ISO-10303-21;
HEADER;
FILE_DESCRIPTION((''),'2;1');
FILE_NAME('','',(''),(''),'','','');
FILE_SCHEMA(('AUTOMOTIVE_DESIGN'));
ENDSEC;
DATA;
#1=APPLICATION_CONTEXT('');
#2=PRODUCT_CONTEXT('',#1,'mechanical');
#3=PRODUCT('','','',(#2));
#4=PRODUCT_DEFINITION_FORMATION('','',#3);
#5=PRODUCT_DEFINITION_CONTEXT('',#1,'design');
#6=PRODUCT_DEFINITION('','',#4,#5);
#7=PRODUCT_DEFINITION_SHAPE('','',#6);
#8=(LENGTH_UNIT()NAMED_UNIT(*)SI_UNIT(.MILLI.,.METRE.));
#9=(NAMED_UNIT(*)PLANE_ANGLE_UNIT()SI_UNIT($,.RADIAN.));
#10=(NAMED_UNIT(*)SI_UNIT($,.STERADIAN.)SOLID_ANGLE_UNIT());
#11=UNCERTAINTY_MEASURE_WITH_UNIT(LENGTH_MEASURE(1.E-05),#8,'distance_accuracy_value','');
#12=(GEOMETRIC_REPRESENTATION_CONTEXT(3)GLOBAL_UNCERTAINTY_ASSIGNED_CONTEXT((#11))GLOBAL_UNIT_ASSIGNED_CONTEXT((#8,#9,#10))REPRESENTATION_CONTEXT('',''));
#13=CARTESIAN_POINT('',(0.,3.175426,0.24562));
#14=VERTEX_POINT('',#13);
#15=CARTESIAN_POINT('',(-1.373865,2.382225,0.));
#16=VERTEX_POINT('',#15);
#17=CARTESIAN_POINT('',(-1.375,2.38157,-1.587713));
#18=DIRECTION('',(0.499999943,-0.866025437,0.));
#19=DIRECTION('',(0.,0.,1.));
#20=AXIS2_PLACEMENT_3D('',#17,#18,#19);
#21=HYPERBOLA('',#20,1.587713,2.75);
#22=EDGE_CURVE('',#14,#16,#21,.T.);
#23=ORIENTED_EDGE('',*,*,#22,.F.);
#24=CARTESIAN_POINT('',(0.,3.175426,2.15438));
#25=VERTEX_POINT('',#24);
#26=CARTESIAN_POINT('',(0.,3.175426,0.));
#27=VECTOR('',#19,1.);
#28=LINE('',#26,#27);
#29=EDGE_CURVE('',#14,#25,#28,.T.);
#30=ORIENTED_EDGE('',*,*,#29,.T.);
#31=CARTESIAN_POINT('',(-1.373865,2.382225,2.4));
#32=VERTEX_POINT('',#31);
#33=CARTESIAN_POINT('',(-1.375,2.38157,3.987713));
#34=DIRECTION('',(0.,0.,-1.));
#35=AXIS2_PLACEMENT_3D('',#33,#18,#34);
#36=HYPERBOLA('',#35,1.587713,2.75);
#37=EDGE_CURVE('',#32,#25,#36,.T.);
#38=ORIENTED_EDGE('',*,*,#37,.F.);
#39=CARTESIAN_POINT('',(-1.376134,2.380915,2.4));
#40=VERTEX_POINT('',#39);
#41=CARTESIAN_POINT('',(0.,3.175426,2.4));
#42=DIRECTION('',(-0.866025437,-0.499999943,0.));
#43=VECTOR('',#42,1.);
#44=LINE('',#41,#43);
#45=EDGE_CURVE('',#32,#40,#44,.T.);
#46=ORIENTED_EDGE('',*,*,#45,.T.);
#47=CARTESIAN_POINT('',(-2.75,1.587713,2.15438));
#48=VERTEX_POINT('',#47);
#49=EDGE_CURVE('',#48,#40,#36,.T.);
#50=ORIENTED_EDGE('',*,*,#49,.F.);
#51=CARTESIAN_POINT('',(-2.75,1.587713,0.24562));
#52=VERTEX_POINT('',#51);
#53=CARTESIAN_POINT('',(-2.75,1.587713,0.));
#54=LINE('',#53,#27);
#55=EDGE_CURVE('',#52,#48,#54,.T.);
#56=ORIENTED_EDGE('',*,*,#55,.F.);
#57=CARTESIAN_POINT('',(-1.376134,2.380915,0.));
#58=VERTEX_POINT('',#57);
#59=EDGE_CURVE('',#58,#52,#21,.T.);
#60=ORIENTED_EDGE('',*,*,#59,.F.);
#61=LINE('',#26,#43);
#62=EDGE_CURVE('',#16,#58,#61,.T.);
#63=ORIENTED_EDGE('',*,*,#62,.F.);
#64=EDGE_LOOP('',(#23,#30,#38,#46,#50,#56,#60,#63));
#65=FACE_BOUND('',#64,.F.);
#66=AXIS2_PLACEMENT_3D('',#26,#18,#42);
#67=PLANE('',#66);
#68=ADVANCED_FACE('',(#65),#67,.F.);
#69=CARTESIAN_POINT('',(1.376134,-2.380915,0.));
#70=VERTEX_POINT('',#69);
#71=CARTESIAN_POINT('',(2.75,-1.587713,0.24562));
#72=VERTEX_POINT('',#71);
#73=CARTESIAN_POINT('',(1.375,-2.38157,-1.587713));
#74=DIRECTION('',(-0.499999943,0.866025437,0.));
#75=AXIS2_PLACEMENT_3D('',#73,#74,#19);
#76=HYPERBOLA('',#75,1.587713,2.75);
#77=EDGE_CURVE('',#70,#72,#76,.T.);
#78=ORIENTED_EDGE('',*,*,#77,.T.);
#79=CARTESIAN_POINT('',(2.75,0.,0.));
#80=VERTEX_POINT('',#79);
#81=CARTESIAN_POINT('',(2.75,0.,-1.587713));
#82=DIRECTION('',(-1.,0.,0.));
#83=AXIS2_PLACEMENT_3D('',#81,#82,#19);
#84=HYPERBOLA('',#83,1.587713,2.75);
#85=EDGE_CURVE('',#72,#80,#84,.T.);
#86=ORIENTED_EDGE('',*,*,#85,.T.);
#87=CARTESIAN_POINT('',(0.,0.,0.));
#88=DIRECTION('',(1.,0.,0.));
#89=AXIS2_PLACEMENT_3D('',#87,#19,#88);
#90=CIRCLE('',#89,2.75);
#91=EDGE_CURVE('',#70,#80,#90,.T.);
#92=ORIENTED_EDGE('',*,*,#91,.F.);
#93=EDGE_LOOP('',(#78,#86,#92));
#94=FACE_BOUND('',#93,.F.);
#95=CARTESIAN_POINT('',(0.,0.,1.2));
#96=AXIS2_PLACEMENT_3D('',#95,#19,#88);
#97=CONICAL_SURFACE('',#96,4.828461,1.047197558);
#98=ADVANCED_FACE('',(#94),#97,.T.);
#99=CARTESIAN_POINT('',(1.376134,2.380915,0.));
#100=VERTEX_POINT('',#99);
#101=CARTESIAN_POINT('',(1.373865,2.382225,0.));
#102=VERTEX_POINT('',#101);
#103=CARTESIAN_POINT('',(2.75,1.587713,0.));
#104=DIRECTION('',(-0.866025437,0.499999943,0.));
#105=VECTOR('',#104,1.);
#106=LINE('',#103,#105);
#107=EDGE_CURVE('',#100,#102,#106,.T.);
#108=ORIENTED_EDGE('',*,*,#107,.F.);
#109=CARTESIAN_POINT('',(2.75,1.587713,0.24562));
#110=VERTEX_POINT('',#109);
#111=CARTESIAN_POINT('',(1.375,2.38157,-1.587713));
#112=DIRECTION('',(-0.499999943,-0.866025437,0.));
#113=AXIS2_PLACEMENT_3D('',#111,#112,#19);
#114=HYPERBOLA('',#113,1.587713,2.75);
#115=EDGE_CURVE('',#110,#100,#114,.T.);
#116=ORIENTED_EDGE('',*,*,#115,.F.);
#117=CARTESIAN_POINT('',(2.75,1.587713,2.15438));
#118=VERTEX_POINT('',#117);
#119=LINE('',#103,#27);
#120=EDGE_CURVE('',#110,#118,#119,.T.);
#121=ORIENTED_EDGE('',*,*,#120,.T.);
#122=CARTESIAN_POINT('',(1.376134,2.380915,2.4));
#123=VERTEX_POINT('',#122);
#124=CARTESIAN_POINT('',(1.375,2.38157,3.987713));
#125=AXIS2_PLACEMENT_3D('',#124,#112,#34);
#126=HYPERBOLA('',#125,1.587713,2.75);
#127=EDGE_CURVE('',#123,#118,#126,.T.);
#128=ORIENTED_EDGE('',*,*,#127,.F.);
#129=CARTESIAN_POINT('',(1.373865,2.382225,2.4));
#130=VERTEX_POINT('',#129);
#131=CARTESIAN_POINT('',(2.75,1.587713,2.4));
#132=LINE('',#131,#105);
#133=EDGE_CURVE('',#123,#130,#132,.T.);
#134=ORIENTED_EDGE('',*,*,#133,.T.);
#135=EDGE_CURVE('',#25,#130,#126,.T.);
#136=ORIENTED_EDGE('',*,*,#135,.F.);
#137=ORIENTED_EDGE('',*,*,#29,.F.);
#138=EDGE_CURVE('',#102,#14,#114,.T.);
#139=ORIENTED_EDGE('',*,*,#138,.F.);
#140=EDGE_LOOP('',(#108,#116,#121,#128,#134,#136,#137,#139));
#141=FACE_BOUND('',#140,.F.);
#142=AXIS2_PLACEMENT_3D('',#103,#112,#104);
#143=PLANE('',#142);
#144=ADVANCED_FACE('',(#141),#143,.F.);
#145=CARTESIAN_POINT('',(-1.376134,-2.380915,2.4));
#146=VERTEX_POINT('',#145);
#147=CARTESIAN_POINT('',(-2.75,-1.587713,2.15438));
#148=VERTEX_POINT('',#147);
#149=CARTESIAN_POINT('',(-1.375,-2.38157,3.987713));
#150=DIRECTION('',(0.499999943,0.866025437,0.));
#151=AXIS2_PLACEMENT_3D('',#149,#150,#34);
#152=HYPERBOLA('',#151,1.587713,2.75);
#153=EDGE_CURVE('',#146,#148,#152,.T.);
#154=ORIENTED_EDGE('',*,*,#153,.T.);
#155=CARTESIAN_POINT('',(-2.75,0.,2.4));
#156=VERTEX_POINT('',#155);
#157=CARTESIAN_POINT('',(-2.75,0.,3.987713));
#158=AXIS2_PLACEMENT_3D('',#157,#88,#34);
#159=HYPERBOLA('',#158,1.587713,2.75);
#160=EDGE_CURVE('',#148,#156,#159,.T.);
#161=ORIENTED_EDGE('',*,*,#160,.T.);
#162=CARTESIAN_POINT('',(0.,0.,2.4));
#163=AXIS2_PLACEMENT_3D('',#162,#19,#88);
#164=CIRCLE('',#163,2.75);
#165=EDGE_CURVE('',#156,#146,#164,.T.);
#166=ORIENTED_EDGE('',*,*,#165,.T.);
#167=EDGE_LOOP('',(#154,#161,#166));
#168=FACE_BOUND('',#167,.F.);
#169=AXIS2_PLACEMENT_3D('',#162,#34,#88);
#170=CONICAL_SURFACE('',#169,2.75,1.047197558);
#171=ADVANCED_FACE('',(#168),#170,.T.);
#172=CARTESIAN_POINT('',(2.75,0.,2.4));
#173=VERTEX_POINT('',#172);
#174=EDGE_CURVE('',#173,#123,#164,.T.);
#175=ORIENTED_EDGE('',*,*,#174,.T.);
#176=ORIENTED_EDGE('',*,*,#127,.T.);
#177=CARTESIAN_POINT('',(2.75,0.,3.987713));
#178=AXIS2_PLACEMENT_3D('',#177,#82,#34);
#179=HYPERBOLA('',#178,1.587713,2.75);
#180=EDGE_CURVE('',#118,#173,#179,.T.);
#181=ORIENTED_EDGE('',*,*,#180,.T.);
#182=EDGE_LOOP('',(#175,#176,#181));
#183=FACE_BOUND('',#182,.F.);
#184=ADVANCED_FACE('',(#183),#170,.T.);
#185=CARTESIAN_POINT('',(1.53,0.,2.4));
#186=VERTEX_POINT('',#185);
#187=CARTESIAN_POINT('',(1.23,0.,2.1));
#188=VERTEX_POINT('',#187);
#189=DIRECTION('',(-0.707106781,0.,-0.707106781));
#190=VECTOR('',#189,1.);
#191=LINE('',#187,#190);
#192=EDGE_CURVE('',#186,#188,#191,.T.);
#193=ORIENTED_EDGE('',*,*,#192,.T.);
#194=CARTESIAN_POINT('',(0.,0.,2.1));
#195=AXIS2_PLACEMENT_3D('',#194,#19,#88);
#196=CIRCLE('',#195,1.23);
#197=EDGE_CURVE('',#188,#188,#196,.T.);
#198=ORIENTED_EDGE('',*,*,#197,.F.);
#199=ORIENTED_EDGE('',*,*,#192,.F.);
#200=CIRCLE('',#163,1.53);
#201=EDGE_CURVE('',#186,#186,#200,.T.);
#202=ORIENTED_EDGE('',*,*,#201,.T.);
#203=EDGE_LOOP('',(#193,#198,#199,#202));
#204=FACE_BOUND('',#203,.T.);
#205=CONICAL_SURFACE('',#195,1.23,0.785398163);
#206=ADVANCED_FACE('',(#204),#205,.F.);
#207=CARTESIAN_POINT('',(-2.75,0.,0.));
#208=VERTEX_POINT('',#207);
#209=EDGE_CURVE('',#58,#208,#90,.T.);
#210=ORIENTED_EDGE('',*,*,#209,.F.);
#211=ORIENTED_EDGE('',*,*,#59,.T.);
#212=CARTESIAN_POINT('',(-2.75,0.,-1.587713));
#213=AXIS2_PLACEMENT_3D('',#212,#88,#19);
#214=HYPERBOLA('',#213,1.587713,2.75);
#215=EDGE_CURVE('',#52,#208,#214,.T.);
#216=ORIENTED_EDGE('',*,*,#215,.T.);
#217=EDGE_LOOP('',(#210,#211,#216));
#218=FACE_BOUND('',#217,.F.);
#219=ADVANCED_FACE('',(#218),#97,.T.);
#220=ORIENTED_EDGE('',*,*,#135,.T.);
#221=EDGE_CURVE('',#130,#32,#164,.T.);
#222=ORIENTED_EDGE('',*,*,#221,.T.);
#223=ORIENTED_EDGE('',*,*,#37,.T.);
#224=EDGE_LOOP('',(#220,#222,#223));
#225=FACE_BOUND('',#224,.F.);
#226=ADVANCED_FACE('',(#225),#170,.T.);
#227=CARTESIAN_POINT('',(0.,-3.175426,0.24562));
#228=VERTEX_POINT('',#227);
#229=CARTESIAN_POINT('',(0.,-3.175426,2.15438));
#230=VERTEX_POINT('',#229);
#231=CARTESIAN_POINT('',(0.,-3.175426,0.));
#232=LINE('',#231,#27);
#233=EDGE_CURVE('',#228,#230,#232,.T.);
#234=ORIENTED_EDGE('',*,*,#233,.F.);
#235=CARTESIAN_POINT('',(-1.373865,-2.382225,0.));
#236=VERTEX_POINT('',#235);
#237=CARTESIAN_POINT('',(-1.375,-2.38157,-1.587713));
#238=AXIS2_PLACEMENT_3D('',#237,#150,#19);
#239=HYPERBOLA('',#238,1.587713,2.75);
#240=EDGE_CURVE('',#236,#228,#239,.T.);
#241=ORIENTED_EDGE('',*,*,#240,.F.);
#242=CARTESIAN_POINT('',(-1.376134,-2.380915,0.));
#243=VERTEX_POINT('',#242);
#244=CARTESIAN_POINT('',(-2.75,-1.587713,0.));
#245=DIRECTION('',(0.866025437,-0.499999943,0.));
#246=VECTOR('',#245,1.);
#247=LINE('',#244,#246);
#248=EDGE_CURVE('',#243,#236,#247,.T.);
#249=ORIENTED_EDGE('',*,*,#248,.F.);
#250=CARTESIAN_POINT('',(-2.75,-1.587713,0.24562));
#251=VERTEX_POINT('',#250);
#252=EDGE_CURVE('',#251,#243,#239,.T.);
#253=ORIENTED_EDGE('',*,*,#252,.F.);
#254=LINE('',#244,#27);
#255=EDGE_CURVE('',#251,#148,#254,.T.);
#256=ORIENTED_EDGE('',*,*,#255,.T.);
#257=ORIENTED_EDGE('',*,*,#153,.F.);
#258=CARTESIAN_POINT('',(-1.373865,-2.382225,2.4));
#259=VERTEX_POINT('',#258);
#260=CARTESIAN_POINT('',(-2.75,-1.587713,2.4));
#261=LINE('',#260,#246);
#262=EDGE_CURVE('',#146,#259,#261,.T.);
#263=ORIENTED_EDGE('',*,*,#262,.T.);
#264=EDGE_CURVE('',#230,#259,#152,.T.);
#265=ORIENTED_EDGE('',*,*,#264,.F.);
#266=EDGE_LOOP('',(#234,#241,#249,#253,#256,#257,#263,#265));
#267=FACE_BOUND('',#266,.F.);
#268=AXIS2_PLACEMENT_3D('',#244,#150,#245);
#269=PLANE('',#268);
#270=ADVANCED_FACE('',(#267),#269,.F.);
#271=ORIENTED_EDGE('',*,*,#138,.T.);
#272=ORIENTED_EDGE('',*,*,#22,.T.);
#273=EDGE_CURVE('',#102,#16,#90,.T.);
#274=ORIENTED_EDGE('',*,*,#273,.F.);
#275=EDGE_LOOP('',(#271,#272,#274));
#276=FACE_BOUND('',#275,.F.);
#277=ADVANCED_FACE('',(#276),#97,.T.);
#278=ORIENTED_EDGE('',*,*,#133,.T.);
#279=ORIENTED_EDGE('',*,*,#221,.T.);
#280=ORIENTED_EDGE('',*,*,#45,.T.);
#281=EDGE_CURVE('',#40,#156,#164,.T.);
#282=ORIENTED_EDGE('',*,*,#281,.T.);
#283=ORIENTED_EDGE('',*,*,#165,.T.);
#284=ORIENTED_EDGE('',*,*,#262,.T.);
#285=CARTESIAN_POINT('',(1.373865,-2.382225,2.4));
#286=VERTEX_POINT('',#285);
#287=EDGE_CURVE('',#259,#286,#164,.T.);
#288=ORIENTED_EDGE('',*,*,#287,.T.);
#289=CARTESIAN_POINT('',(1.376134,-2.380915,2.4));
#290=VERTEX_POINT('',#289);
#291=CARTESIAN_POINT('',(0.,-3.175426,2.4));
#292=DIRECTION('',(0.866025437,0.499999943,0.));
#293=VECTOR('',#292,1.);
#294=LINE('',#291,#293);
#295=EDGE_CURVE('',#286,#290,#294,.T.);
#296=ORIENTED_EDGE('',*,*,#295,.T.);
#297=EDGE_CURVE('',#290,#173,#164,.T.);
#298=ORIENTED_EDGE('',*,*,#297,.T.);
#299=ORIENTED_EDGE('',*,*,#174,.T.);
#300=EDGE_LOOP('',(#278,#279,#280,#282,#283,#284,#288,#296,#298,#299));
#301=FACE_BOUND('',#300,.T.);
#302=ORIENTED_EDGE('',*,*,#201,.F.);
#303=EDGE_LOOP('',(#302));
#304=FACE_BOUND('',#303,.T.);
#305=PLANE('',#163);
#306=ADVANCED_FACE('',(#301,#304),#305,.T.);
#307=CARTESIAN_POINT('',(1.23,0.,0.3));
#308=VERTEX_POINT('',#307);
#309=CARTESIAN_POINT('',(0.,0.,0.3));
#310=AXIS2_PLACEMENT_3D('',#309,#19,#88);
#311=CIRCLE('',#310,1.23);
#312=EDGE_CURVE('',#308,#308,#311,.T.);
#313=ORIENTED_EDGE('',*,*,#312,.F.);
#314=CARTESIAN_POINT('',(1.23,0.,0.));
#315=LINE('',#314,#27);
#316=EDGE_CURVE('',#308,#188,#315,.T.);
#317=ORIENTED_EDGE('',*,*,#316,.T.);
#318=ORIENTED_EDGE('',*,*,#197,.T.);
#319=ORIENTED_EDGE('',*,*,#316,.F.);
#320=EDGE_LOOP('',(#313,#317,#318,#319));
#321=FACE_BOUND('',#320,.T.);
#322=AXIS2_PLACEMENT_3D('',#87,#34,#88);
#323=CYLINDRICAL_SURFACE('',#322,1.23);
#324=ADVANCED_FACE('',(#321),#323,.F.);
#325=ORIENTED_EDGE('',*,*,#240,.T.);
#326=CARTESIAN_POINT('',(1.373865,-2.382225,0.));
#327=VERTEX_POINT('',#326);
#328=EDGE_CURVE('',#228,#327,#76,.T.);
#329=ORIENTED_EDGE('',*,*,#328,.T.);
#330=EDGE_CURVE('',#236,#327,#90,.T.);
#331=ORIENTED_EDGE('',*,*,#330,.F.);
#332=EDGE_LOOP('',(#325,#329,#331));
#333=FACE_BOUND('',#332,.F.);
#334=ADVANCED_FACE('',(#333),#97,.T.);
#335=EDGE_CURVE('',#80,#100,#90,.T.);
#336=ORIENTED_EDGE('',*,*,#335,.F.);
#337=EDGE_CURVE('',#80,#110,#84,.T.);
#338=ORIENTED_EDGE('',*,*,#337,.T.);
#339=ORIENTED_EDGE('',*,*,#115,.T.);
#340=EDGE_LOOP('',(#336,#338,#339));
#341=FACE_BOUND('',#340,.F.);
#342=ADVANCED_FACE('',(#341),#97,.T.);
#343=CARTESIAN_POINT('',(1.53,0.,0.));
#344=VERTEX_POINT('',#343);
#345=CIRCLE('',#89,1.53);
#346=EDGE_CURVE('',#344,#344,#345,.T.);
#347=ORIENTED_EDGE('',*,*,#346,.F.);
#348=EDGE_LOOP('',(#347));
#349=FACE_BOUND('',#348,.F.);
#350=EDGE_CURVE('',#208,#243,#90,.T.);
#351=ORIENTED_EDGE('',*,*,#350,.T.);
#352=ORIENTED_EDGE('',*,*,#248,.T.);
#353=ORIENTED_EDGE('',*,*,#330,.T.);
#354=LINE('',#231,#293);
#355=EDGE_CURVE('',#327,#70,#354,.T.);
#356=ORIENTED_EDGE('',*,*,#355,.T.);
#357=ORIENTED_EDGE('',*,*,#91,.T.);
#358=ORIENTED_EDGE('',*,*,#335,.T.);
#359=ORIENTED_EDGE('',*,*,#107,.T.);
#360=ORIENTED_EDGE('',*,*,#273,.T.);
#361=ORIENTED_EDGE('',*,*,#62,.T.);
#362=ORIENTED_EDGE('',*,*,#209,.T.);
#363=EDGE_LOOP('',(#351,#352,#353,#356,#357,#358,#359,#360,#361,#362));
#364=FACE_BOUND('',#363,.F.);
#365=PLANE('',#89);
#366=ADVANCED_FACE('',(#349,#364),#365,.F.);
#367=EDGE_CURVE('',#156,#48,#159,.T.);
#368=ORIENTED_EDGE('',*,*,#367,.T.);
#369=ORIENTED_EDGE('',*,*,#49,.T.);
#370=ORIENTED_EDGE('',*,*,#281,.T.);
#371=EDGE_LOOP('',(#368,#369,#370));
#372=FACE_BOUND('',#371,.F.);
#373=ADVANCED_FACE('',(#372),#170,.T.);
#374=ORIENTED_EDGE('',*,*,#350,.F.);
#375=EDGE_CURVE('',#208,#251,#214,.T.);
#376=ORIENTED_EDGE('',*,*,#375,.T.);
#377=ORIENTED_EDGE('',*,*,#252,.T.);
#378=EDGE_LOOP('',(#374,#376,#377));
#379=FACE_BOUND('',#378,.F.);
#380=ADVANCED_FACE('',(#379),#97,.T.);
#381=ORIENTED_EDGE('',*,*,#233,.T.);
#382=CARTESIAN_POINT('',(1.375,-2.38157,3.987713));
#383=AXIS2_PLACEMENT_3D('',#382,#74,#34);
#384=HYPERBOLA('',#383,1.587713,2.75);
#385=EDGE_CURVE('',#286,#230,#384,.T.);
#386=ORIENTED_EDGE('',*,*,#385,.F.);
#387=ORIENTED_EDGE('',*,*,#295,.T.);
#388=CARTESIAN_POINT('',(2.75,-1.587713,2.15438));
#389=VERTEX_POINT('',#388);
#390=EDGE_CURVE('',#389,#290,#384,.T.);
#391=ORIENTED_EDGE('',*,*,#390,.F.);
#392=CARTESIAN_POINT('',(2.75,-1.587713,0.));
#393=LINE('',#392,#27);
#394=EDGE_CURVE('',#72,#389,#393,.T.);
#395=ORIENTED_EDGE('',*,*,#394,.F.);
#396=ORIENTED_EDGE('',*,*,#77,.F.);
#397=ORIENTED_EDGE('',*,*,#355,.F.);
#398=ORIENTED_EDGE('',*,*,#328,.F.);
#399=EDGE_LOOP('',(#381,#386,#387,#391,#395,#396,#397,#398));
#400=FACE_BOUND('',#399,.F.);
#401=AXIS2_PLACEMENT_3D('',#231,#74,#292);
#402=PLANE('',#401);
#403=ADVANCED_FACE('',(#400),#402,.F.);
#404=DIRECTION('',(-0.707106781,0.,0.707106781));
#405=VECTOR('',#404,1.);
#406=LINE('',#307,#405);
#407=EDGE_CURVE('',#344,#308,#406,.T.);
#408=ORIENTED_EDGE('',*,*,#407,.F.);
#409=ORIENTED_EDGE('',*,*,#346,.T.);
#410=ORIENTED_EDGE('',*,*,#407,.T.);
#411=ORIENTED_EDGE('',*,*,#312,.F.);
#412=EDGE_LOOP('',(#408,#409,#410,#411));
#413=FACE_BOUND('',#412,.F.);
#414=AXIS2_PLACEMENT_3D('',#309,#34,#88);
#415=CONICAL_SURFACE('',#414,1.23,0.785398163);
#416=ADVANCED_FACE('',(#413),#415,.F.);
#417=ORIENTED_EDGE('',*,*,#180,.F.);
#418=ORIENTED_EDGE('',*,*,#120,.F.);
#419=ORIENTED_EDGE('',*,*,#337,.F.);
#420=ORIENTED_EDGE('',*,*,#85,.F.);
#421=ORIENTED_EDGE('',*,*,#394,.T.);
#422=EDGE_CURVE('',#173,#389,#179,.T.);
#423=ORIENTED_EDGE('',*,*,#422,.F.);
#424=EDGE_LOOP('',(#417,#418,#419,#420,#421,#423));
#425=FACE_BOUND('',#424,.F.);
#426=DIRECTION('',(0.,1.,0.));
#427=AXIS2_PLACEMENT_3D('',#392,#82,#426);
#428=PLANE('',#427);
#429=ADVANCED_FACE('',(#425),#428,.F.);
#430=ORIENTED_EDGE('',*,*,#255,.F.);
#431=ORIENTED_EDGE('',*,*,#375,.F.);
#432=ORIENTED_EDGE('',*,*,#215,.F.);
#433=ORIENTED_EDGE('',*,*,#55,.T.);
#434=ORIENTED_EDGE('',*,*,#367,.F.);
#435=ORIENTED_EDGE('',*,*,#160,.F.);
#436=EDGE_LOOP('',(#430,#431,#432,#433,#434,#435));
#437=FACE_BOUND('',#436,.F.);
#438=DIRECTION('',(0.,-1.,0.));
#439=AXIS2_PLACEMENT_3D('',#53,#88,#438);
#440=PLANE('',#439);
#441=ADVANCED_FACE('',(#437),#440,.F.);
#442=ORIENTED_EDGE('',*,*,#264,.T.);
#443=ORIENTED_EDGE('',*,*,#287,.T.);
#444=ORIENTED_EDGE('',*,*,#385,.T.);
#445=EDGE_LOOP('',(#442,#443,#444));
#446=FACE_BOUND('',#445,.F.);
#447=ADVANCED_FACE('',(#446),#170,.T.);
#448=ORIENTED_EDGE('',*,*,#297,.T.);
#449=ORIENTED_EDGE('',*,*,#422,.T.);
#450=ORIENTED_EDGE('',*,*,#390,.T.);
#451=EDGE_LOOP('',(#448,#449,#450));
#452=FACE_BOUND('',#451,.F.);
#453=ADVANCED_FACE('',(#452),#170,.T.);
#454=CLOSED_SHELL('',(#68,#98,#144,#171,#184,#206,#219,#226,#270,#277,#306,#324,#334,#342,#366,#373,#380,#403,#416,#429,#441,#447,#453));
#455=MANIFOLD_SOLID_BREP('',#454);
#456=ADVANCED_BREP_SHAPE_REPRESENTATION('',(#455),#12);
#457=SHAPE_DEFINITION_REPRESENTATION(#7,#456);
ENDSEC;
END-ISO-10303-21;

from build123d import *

# Parameters (mm, degrees)
F0_R     = 1.23
F1_DEPTH = 2.4
F4_SIZE  = 0.3


with BuildPart() as f1:
    # F0 (on Top) → F1 (new body)
    with BuildSketch(Plane.XY):
        Polygon((2.75, -1.587713), (2.75, 1.587713), (0, 3.175426), (-2.75, 1.587713), (-2.75, -1.587713), (0, -3.175426), align=None)
        Circle(F0_R, mode=Mode.SUBTRACT)
    extrude(amount=F1_DEPTH)

    # F2 (on Front) → F3 (revolve, cut)
    with BuildSketch(Plane.XZ):
        Polygon((4.828461, 0), (4.828461, 1.2), (2.75, 0), align=None)
        Polygon((4.828461, 2.4), (2.75, 2.4), (4.828461, 1.2), align=None)
    revolve(axis=Axis((0, 0, 1.176549), (0, 0, 1)), mode=Mode.SUBTRACT)

    # F4
    f4_edges = [f1.edges().sort_by_distance(p)[0] for p in [
        (1.23, 0, 1.2),
        (-1.23, 0, 0),
        (-1.23, 0, 2.4),
    ]]
    chamfer(f4_edges, length=F4_SIZE)


solid = f1.part
